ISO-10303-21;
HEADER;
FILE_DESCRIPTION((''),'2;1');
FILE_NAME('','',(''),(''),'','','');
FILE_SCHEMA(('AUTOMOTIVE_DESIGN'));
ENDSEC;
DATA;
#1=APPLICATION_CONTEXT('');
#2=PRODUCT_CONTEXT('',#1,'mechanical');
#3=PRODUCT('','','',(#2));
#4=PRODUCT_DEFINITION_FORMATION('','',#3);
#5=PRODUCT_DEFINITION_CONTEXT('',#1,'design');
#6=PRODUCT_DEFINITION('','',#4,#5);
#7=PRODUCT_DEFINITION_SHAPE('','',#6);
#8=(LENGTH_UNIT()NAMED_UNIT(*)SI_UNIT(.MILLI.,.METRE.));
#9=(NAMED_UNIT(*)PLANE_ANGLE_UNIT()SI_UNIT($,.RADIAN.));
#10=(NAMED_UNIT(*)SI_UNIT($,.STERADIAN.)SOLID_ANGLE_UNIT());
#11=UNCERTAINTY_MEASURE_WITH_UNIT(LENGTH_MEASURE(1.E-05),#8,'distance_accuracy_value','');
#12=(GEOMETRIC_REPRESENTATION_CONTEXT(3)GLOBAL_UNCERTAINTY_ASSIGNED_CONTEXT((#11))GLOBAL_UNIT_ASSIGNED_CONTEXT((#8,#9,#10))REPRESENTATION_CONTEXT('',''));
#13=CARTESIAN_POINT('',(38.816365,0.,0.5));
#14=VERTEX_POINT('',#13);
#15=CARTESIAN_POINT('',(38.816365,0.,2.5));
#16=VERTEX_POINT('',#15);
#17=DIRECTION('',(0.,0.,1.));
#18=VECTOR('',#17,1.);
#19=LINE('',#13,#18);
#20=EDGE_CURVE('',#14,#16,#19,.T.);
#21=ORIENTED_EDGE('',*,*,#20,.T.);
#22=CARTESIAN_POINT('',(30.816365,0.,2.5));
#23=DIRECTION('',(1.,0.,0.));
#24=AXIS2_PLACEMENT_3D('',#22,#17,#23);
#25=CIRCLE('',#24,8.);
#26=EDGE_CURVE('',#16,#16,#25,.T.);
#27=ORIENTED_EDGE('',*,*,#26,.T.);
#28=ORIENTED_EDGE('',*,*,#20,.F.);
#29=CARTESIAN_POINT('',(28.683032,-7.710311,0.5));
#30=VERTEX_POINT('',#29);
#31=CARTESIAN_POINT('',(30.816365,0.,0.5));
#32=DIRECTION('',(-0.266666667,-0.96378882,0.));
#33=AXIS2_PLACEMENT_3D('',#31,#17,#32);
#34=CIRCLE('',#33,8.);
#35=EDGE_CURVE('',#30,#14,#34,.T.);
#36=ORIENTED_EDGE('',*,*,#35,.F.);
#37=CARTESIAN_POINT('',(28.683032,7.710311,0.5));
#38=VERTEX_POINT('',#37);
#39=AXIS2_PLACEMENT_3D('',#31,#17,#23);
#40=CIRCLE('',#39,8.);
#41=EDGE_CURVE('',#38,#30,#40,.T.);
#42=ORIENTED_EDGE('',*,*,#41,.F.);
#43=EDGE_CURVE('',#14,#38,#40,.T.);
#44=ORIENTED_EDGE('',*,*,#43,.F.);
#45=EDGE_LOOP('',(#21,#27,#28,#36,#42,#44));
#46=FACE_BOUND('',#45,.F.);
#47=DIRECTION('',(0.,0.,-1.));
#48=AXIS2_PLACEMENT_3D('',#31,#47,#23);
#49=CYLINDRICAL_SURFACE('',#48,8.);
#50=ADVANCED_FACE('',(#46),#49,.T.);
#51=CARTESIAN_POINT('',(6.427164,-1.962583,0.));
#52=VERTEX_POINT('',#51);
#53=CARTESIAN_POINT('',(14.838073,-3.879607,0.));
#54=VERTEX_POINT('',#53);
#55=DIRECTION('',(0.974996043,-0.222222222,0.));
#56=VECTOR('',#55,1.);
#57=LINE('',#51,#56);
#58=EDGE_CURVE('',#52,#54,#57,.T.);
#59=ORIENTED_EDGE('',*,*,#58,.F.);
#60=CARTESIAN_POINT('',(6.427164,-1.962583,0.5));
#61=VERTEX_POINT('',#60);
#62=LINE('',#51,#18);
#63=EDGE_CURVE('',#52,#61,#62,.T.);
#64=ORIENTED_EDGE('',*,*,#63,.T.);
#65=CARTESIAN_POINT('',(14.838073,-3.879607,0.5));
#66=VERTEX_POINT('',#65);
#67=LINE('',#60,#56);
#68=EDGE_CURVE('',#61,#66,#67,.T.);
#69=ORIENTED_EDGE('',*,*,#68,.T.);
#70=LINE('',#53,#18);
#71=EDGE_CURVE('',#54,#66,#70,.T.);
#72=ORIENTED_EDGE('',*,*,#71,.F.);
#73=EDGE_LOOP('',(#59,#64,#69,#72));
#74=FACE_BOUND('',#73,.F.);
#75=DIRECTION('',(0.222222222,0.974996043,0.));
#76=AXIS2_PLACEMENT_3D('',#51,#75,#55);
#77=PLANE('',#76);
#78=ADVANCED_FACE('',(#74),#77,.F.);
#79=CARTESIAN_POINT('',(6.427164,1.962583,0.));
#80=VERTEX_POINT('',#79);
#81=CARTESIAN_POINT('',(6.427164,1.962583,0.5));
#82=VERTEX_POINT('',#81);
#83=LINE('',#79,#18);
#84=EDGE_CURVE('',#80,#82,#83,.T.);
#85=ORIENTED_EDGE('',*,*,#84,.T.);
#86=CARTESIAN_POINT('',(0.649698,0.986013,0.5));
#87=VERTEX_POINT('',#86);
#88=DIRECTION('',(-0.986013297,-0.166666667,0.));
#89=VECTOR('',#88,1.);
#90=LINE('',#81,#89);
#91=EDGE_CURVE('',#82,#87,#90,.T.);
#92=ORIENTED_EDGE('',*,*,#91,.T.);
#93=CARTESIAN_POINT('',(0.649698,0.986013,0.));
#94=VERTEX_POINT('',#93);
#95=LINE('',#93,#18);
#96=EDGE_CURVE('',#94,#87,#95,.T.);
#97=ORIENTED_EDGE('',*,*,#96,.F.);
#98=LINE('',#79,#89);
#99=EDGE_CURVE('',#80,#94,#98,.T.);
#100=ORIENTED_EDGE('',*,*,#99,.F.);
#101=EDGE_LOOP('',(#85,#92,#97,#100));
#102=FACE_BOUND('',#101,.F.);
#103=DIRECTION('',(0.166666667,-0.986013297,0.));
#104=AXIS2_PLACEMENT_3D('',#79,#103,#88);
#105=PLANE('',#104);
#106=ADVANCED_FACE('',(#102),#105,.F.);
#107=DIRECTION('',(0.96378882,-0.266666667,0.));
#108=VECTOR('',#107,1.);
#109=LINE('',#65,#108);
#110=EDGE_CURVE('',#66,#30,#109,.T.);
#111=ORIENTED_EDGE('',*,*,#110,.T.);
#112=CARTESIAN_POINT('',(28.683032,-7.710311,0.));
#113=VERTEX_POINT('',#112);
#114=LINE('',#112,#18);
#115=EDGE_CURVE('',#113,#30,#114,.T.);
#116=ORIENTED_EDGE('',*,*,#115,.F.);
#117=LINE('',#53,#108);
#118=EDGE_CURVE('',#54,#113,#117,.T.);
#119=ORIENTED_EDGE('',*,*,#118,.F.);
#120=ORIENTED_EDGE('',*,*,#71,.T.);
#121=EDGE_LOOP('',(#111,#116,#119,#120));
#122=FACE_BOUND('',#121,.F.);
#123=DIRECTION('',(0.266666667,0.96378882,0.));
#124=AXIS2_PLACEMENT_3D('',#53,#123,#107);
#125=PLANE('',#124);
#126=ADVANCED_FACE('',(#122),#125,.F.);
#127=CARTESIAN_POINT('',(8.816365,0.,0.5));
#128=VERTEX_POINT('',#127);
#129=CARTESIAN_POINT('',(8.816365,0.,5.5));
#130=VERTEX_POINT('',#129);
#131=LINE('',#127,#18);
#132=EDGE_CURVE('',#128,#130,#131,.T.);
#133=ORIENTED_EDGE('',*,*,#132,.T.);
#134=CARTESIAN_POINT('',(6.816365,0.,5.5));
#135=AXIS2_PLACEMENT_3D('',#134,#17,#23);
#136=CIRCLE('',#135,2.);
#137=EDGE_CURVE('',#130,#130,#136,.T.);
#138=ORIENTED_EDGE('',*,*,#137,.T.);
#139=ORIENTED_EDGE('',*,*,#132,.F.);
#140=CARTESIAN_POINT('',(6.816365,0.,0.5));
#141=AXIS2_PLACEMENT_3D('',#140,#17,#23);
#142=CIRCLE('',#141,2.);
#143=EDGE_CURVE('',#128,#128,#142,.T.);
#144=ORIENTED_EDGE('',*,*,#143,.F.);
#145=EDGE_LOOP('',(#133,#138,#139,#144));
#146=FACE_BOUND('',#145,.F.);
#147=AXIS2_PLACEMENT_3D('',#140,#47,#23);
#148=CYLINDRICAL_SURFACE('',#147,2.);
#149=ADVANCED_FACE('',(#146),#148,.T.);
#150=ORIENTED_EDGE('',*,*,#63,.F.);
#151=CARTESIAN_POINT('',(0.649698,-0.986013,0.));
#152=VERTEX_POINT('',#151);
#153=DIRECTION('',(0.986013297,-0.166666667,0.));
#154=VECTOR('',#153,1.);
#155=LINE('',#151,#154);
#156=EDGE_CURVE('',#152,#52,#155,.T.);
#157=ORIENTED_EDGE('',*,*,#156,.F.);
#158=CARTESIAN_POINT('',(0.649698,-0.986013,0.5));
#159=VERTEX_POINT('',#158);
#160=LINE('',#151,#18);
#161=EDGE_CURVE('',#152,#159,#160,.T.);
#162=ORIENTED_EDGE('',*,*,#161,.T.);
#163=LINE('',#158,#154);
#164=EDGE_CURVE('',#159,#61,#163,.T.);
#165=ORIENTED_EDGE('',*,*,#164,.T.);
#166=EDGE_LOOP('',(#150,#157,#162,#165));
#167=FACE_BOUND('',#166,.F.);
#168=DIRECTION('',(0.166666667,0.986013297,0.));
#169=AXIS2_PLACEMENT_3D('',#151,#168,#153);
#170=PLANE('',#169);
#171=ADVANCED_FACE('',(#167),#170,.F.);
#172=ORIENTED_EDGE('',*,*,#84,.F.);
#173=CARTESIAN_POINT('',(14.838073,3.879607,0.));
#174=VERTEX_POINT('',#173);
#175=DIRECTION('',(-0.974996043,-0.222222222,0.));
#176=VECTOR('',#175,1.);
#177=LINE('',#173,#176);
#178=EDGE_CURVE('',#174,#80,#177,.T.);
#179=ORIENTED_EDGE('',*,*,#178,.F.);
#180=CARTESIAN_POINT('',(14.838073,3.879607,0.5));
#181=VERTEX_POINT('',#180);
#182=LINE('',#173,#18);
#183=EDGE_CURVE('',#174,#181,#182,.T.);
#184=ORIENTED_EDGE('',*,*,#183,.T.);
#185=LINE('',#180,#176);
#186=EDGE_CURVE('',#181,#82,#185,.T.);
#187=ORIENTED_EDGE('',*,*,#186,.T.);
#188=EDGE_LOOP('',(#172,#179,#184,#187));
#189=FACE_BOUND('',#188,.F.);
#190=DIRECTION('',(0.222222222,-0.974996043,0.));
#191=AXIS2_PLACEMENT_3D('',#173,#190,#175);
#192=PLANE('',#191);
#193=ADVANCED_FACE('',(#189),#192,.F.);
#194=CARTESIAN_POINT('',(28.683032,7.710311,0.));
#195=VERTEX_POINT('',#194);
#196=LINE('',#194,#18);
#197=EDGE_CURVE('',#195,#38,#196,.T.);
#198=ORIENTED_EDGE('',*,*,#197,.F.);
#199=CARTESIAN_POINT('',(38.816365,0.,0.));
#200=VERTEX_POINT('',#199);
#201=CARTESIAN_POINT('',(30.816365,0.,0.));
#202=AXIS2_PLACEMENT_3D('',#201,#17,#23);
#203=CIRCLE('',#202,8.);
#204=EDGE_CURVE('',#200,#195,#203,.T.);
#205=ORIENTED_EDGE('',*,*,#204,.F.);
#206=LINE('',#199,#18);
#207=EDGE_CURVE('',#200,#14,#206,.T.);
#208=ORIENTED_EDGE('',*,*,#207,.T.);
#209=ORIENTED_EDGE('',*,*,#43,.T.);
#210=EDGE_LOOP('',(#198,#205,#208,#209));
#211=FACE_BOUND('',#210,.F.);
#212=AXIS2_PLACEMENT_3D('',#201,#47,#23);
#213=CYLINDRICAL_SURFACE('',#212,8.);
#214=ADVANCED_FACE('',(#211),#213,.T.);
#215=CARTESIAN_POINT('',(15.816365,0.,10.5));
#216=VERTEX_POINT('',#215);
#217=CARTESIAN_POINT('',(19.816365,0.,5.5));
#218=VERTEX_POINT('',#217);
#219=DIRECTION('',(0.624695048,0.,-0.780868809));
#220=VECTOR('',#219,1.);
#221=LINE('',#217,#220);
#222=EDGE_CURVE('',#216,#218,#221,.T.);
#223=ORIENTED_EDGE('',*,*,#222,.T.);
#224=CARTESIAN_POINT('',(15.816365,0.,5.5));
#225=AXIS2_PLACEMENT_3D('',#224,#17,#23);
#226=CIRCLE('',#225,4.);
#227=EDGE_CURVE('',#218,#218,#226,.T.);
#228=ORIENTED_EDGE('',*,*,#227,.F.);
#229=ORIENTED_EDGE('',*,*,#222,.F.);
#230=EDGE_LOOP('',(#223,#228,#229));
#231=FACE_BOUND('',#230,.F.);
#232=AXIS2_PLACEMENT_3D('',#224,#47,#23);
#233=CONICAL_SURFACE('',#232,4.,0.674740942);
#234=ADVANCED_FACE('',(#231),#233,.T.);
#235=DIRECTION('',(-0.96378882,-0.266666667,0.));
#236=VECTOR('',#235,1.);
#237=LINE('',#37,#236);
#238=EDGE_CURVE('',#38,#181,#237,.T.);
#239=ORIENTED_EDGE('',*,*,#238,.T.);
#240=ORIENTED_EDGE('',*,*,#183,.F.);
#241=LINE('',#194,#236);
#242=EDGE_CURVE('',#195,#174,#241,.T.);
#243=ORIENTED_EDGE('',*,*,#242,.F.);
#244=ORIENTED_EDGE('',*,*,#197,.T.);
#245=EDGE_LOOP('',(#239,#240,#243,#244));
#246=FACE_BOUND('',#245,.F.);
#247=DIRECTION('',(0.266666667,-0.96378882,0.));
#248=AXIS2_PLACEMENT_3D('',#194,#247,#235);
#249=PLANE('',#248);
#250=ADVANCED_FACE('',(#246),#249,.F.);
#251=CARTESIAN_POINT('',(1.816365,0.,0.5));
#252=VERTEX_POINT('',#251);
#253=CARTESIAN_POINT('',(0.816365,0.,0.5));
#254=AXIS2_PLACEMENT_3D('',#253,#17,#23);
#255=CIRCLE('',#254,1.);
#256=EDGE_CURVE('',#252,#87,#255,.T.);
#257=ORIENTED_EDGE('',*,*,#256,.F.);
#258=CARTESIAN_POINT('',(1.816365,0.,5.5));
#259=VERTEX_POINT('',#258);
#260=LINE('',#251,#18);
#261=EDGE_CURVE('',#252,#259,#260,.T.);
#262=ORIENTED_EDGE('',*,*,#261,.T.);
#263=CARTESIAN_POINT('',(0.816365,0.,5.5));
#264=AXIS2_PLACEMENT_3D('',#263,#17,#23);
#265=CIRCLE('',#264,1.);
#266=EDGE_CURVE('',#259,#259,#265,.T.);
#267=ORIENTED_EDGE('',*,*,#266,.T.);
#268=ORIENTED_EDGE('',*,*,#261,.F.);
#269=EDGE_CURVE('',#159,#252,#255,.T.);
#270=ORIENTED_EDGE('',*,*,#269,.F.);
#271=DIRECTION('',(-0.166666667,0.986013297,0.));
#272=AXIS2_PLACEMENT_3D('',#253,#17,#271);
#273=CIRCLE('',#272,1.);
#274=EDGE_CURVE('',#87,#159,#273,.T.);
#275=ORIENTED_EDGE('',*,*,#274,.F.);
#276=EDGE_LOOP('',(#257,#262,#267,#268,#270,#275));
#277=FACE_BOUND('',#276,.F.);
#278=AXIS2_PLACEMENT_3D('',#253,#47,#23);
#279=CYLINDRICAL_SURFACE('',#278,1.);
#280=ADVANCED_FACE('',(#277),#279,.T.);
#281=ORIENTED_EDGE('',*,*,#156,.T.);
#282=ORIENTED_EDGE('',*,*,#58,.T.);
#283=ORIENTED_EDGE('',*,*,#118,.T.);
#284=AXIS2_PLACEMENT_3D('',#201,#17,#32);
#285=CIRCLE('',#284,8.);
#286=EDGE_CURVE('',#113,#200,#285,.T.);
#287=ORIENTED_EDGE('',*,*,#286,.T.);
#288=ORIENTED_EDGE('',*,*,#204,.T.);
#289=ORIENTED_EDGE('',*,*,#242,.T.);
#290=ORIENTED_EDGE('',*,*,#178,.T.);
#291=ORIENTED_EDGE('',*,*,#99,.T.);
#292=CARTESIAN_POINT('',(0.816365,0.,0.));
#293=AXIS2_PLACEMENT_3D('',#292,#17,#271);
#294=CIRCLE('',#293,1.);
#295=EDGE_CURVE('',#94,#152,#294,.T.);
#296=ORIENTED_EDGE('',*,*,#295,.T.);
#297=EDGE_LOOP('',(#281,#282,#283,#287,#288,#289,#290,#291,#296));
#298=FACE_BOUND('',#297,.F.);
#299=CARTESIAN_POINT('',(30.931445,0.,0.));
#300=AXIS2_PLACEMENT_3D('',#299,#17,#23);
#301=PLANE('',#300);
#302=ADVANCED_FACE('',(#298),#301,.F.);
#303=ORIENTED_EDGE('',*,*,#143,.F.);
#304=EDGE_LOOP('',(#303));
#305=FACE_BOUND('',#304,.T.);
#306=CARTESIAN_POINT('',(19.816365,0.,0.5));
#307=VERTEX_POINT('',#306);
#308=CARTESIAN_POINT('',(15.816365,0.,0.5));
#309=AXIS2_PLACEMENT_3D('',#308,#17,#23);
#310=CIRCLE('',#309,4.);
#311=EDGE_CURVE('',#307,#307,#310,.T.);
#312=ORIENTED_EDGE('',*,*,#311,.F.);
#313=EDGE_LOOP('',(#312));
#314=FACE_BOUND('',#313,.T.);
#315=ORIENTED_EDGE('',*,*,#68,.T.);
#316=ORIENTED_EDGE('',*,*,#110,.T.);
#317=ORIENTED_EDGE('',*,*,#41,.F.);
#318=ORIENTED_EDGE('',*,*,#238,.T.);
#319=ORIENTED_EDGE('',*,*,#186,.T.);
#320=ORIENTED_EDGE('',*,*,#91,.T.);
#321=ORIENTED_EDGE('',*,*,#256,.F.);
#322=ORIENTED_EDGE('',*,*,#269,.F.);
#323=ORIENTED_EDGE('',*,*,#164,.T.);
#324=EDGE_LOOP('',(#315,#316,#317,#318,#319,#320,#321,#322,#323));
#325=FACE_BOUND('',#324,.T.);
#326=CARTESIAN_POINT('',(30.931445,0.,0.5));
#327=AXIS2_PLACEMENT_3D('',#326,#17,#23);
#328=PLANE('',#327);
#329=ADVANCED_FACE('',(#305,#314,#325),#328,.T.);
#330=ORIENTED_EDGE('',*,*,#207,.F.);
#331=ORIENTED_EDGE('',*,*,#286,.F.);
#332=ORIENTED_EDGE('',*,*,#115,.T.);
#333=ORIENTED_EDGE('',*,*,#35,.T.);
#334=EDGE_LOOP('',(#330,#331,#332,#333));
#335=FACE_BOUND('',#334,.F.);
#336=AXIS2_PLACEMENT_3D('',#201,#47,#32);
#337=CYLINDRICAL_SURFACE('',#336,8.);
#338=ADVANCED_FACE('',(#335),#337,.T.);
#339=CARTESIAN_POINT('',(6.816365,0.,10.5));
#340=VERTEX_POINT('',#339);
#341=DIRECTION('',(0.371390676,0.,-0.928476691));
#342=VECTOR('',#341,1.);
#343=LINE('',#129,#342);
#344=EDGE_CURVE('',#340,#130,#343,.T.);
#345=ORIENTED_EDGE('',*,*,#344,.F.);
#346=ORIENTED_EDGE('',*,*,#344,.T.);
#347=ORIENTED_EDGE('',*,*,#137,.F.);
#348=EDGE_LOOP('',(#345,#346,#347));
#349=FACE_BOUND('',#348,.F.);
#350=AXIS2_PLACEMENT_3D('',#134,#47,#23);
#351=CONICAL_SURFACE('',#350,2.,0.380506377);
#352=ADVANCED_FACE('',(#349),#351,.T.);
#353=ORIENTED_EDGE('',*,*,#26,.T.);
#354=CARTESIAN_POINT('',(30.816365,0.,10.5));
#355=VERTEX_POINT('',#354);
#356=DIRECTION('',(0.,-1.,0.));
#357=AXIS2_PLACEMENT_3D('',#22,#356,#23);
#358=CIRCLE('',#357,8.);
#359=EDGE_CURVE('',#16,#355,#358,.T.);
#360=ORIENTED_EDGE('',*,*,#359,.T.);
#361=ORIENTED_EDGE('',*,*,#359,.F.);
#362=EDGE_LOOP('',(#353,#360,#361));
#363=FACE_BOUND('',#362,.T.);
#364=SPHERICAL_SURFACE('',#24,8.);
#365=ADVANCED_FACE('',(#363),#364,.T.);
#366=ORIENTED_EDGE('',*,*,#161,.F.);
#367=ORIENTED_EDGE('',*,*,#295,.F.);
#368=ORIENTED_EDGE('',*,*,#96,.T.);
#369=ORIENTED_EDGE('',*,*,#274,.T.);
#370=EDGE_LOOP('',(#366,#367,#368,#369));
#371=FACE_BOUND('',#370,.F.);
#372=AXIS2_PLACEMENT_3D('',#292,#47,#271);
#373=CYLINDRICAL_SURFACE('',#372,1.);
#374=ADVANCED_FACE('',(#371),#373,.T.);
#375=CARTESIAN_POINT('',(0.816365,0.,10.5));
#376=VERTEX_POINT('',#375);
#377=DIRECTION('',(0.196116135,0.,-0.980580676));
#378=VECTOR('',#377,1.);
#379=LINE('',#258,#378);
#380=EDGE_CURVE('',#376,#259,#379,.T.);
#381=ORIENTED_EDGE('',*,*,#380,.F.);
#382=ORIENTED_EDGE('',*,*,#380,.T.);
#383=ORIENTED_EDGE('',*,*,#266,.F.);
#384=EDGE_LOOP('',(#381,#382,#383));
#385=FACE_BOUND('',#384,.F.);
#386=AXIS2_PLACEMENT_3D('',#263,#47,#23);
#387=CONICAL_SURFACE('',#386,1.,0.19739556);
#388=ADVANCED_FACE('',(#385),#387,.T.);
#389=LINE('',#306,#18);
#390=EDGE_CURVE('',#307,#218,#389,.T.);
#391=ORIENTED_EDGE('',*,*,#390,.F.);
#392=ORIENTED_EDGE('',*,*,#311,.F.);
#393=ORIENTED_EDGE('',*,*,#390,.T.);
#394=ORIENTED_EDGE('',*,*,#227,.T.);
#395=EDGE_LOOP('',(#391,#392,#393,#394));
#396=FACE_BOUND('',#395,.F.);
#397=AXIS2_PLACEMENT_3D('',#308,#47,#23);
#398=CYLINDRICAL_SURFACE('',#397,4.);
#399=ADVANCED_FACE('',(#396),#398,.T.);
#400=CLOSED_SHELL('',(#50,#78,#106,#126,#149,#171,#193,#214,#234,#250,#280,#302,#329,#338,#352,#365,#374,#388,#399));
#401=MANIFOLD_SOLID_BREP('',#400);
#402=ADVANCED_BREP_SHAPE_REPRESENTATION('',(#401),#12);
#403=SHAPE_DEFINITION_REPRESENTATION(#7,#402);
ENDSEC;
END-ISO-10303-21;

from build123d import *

# Parameters (mm, degrees)
F1_DEPTH = 0.5
F2_R     = 2
F2_R_2   = 1
F2_R_3   = 4
F2_R_4   = 8
F3_DEPTH = 10
F4_SIZE2 = 5
F4_SIZE  = 1
F5_R     = 8
F6_SIZE2 = 5
F6_SIZE  = 2
F7_SIZE2 = 5
F7_SIZE  = 4


with BuildPart() as f1:
    # F0 (on Top) → F1 (new body)
    with BuildSketch(Plane.XY):
        with BuildLine():
            ThreePointArc((28.6830315128, -7.7103105572), (35.6606054127, -6.366579406), (38.8163648461, 0))
            ThreePointArc((38.8163648461, 0), (35.6606054127, 6.366579406), (28.6830315128, 7.7103105572))
            ThreePointArc((28.6830315128, 7.7103105572), (22.8163648461, 0), (28.6830315128, -7.7103105572))
        make_face()
        with BuildLine():
            ThreePointArc((28.6830315128, -7.7103105572), (22.8163648461, 0), (28.6830315128, 7.7103105572))
            Line((28.6830315128, 7.7103105572), (14.8380732426, 3.8796074024))
            Line((14.8380732426, 3.8796074024), (6.4271638375, 1.9625832337))
            Line((6.4271638375, 1.9625832337), (0.6496981795, 0.9860132972))
            ThreePointArc((0.6496981795, 0.9860132972), (1.4618620705, 0.7637626158), (1.8163648461, 0))
            ThreePointArc((1.8163648461, 0), (1.4618620705, -0.7637626158), (0.6496981795, -0.9860132972))
            Line((0.6496981795, -0.9860132972), (6.4271638375, -1.9625832337))
            Line((6.4271638375, -1.9625832337), (14.8380732426, -3.8796074024))
            Line((14.8380732426, -3.8796074024), (28.6830315128, -7.7103105572))
        make_face()
        with BuildLine():
            ThreePointArc((1.8163648461, 0), (1.4618620705, 0.7637626158), (0.6496981795, 0.9860132972))
            ThreePointArc((0.6496981795, 0.9860132972), (-0.1836351539, 0), (0.6496981795, -0.9860132972))
            ThreePointArc((0.6496981795, -0.9860132972), (1.4618620705, -0.7637626158), (1.8163648461, 0))
        make_face()
    extrude(amount=F1_DEPTH)

    # F2 (on face) → F3 (join)
    with BuildSketch(Plane.XY.offset(0.5)):
        with Locations((6.8163648461, 0)):
            Circle(F2_R)
        with Locations((0.8163648461, 0)):
            Circle(F2_R_2)
        with Locations((15.8163648461, 0)):
            Circle(F2_R_3)
        with Locations((30.8163648461, 0)):
            Circle(F2_R_4)
    extrude(amount=F3_DEPTH)

    # F4
    f4_edges = [f1.edges().sort_by_distance(p)[0] for p in [
        (-0.183635, 0, 10.5),
    ]]
    f4_side = f1.faces().sort_by_distance((0.816365, 0, 10.5))[0]
    chamfer(f4_edges, length=F4_SIZE, length2=F4_SIZE2, reference=f4_side)

    # F5
    f5_edges = [f1.edges().sort_by_distance(p)[0] for p in [
        (22.816365, 0, 10.5),
    ]]
    fillet(f5_edges, radius=F5_R)

    # F6
    f6_edges = [f1.edges().sort_by_distance(p)[0] for p in [
        (4.816365, 0, 10.5),
    ]]
    f6_side = f1.faces().sort_by_distance((6.816365, 0, 10.5))[0]
    chamfer(f6_edges, length=F6_SIZE, length2=F6_SIZE2, reference=f6_side)

    # F7
    f7_edges = [f1.edges().sort_by_distance(p)[0] for p in [
        (11.816365, 0, 10.5),
    ]]
    f7_side = f1.faces().sort_by_distance((15.816365, 0, 10.5))[0]
    chamfer(f7_edges, length=F7_SIZE, length2=F7_SIZE2, reference=f7_side)


solid = f1.part
